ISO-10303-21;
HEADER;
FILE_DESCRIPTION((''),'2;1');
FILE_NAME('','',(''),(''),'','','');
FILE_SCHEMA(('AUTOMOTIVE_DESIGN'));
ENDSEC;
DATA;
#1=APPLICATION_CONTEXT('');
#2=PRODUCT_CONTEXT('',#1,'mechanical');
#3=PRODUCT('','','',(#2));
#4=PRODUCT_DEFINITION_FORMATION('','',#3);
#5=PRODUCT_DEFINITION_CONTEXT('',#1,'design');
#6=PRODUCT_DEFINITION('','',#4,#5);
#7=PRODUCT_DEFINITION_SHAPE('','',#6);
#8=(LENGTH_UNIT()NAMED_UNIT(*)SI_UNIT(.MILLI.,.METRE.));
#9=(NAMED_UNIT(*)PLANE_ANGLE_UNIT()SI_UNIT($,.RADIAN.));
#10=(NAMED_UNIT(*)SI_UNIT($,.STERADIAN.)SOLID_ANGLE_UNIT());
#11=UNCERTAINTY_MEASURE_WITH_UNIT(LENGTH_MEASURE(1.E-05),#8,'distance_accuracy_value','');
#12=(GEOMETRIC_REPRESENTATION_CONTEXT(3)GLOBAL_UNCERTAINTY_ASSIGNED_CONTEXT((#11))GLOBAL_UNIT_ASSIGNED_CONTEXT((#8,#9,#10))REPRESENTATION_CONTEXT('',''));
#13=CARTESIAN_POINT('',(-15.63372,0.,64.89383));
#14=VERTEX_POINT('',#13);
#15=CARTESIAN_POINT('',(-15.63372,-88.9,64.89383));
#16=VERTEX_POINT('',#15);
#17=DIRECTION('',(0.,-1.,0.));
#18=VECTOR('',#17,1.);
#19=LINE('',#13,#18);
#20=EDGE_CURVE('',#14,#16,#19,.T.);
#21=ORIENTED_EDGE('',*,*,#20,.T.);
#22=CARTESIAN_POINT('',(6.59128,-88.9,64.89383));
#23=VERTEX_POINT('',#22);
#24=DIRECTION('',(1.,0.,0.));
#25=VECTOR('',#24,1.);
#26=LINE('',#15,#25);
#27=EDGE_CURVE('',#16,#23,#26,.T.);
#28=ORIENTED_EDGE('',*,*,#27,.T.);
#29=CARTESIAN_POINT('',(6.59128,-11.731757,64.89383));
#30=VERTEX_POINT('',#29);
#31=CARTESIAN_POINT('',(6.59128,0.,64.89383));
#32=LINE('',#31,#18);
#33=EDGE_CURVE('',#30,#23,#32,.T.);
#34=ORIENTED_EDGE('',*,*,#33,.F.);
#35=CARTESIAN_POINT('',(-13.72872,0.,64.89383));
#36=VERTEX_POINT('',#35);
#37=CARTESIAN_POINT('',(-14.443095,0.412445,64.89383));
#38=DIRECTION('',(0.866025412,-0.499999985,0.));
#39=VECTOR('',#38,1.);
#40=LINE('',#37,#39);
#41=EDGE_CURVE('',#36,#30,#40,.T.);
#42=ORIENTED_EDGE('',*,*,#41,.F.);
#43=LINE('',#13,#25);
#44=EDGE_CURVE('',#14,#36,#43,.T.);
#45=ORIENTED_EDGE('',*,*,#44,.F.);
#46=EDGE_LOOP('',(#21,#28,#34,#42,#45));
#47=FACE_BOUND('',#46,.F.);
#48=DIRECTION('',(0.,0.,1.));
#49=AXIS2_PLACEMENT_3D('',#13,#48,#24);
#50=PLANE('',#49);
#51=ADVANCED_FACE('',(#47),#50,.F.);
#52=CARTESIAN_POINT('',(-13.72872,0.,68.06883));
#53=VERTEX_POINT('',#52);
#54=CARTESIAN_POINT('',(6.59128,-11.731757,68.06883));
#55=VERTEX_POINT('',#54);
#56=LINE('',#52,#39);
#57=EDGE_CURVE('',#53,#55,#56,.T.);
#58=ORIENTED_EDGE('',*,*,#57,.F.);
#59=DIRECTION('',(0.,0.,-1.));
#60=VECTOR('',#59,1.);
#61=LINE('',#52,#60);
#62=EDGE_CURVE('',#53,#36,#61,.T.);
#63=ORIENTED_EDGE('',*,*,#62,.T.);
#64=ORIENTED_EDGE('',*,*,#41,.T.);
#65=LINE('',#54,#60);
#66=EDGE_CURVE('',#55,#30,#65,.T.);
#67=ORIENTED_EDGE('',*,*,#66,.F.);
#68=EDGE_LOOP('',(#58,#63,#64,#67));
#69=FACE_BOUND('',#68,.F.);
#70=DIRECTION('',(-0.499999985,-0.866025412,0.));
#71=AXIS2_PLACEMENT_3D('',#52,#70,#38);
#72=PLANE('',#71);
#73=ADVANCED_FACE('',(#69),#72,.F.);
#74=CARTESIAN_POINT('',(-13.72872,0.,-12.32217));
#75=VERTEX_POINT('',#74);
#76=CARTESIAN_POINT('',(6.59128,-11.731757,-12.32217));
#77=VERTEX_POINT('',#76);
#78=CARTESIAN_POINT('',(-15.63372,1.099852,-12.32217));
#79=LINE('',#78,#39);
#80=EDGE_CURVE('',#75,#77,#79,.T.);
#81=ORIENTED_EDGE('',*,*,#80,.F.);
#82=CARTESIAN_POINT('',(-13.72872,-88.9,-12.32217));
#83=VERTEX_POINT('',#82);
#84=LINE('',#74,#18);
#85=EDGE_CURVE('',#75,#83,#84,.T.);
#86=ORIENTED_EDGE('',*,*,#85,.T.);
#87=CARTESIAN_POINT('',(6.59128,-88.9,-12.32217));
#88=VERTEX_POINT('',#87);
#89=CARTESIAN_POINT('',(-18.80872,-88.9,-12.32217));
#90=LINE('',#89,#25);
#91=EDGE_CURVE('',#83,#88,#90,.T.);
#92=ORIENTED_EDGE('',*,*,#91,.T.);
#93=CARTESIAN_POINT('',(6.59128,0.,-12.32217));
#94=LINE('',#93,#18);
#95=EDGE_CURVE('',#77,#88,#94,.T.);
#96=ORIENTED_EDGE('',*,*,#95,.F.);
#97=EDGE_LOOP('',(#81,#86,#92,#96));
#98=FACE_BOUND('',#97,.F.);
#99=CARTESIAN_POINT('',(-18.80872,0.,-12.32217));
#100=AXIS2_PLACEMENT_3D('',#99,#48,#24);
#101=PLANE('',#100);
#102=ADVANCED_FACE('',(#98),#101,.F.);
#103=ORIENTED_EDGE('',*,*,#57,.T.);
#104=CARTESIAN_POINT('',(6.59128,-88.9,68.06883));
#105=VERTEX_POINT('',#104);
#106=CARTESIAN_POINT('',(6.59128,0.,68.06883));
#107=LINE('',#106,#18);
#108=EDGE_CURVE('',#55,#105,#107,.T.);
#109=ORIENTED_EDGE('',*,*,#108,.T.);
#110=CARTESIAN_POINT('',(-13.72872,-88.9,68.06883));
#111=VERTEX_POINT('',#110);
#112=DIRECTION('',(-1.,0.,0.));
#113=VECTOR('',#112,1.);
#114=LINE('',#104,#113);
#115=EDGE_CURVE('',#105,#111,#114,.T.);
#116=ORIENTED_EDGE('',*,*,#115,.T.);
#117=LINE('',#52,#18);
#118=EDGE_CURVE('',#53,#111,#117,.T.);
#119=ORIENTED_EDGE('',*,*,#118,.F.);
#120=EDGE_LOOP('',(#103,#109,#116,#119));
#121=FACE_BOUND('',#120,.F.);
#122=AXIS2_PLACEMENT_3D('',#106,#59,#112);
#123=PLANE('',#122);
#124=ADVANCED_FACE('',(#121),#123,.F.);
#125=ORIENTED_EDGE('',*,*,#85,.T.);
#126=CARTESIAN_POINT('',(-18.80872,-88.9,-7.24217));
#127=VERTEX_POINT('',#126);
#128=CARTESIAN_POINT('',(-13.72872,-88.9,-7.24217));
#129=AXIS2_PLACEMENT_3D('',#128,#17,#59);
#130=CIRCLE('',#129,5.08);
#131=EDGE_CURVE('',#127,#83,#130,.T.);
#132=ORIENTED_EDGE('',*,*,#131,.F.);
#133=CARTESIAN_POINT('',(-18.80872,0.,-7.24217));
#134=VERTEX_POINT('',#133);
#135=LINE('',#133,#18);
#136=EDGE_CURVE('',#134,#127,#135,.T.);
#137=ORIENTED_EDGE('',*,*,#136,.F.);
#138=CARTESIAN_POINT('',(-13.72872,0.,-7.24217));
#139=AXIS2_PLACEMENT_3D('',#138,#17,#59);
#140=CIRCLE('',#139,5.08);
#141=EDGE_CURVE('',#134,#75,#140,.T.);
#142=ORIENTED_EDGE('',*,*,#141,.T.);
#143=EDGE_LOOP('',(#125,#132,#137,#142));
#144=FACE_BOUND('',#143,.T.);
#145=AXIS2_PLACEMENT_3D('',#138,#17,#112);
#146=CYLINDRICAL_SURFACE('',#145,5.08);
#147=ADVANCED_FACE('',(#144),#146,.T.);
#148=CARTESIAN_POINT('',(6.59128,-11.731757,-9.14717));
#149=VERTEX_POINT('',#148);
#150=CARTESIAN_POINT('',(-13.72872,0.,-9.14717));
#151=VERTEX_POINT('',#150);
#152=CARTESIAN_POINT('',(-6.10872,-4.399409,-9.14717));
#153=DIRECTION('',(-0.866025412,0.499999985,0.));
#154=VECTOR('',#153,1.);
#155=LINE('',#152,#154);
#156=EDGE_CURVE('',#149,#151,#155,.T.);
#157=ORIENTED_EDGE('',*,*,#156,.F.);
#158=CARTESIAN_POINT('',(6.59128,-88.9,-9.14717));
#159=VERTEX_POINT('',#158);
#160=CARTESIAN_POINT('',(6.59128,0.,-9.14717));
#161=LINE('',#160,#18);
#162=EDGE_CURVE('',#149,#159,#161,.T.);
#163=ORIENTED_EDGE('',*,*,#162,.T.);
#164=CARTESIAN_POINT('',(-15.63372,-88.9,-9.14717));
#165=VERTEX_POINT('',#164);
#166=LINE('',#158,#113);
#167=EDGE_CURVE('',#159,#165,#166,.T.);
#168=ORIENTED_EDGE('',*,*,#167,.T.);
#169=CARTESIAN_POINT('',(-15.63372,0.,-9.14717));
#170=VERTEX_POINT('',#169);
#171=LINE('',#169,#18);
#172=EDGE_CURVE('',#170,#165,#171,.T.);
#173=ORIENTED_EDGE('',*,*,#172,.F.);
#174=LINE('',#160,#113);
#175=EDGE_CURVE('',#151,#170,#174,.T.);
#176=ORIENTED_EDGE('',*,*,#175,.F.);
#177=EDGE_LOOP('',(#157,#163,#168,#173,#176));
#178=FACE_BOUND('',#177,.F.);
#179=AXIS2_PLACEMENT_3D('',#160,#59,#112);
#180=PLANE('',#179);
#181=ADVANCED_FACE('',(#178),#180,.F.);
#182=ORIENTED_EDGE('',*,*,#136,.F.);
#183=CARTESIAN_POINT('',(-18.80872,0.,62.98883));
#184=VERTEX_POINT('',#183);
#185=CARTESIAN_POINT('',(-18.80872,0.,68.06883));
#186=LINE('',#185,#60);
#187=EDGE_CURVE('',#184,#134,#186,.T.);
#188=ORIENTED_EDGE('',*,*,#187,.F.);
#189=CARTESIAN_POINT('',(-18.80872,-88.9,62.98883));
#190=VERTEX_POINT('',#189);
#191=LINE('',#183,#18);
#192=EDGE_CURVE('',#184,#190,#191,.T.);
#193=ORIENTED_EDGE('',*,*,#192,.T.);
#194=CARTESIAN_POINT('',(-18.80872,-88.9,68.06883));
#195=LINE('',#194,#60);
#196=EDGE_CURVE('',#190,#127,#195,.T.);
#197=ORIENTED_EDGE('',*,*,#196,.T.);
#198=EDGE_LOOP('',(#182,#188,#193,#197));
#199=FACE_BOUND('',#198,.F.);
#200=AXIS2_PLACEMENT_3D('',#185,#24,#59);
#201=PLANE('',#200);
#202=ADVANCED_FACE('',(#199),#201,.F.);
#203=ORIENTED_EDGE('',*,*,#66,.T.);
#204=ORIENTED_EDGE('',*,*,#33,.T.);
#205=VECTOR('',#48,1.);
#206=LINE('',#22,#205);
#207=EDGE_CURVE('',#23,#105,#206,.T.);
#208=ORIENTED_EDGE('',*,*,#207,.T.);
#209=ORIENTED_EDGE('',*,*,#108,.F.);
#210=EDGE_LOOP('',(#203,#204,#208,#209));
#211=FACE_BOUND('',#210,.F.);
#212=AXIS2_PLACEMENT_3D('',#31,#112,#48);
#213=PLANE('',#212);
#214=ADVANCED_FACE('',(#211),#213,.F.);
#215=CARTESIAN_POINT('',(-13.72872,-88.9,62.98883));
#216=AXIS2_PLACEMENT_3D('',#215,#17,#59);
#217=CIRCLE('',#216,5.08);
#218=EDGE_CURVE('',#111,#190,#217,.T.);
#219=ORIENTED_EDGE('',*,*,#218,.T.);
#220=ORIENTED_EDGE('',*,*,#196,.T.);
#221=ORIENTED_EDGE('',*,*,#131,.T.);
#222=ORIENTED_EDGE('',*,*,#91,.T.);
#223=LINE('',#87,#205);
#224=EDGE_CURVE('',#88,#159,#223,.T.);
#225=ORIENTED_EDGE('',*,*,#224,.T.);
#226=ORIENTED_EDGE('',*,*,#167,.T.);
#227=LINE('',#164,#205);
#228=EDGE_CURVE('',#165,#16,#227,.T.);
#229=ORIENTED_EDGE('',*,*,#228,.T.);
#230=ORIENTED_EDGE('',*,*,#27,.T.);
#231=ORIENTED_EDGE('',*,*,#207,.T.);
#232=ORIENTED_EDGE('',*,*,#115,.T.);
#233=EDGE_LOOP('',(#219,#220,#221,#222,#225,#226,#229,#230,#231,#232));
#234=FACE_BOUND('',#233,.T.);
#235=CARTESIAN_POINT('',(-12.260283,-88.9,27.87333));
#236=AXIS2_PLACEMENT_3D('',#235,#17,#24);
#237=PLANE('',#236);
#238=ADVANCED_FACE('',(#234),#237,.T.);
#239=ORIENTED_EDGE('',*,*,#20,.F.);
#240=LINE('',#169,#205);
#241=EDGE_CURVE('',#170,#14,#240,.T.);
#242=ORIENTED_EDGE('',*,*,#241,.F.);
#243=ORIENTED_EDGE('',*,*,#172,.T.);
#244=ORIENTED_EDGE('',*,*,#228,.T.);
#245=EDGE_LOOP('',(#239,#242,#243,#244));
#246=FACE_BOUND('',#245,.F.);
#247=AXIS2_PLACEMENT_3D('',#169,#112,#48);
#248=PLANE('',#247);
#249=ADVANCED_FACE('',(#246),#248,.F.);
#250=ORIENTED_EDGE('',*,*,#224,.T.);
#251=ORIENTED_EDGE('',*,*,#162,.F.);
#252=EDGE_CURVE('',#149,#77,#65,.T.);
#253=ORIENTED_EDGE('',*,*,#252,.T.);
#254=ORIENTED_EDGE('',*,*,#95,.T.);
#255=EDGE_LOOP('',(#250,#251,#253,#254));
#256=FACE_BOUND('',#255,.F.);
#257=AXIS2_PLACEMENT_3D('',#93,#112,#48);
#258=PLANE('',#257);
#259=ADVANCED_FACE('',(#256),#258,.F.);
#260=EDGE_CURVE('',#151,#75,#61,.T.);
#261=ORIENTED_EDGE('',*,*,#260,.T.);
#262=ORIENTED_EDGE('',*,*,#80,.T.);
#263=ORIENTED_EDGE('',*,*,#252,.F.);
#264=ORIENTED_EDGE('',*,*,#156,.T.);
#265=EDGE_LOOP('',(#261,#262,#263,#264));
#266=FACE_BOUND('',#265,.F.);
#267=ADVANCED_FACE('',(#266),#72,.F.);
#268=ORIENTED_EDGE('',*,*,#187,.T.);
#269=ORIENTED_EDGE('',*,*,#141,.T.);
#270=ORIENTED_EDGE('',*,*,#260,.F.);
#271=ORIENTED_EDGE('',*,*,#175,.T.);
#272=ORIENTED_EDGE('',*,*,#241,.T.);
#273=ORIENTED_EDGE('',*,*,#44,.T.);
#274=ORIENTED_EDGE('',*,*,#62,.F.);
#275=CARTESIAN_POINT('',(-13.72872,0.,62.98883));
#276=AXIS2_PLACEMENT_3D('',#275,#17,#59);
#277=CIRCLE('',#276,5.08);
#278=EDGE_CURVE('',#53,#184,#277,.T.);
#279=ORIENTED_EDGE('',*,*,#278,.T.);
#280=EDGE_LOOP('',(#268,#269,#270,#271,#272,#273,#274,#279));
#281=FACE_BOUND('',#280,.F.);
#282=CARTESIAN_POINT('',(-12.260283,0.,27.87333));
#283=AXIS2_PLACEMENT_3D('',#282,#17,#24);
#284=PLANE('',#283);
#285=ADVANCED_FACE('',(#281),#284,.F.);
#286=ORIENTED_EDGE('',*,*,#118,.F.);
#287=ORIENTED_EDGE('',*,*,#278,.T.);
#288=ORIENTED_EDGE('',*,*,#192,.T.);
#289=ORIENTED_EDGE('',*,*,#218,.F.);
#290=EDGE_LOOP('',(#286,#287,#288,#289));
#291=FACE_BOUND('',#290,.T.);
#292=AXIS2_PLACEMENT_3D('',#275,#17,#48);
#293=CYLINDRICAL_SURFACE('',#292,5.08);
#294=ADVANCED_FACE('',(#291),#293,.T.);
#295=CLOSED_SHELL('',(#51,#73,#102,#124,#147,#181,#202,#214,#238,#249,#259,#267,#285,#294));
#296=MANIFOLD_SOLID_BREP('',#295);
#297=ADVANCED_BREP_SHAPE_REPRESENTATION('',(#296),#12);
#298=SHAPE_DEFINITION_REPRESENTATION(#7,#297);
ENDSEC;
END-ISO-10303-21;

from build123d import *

# Parameters (mm, degrees)
F1_DEPTH = 88.9
F2_R     = 5.08
F4_DEPTH = 103.378


with BuildPart() as f1:
    # F0 (on Front) → F1 (new body)
    with BuildSketch(Plane.XZ):
        Polygon((6.59128, 64.89383), (6.59128, 68.06883), (-18.80872, 68.06883), (-18.80872, -12.32217), (6.59128, -12.32217), (6.59128, -9.14717), (-15.63372, -9.14717), (-15.63372, 64.89383), align=None)
    extrude(amount=F1_DEPTH)

    # F2
    f2_edges = [f1.edges().sort_by_distance(p)[0] for p in [
        (-18.80872, -44.45, 68.06883),
        (-18.80872, -44.45, -12.32217),
    ]]
    fillet(f2_edges, radius=F2_R)

    # F3 (on face) → F4 (cut)
    with BuildSketch(Plane.XY.offset(68.06883)):
        Polygon((6.59128, 0), (-13.72872, 0), (6.59128, -11.731757), align=None)
    extrude(amount=-F4_DEPTH, mode=Mode.SUBTRACT)


solid = f1.part
